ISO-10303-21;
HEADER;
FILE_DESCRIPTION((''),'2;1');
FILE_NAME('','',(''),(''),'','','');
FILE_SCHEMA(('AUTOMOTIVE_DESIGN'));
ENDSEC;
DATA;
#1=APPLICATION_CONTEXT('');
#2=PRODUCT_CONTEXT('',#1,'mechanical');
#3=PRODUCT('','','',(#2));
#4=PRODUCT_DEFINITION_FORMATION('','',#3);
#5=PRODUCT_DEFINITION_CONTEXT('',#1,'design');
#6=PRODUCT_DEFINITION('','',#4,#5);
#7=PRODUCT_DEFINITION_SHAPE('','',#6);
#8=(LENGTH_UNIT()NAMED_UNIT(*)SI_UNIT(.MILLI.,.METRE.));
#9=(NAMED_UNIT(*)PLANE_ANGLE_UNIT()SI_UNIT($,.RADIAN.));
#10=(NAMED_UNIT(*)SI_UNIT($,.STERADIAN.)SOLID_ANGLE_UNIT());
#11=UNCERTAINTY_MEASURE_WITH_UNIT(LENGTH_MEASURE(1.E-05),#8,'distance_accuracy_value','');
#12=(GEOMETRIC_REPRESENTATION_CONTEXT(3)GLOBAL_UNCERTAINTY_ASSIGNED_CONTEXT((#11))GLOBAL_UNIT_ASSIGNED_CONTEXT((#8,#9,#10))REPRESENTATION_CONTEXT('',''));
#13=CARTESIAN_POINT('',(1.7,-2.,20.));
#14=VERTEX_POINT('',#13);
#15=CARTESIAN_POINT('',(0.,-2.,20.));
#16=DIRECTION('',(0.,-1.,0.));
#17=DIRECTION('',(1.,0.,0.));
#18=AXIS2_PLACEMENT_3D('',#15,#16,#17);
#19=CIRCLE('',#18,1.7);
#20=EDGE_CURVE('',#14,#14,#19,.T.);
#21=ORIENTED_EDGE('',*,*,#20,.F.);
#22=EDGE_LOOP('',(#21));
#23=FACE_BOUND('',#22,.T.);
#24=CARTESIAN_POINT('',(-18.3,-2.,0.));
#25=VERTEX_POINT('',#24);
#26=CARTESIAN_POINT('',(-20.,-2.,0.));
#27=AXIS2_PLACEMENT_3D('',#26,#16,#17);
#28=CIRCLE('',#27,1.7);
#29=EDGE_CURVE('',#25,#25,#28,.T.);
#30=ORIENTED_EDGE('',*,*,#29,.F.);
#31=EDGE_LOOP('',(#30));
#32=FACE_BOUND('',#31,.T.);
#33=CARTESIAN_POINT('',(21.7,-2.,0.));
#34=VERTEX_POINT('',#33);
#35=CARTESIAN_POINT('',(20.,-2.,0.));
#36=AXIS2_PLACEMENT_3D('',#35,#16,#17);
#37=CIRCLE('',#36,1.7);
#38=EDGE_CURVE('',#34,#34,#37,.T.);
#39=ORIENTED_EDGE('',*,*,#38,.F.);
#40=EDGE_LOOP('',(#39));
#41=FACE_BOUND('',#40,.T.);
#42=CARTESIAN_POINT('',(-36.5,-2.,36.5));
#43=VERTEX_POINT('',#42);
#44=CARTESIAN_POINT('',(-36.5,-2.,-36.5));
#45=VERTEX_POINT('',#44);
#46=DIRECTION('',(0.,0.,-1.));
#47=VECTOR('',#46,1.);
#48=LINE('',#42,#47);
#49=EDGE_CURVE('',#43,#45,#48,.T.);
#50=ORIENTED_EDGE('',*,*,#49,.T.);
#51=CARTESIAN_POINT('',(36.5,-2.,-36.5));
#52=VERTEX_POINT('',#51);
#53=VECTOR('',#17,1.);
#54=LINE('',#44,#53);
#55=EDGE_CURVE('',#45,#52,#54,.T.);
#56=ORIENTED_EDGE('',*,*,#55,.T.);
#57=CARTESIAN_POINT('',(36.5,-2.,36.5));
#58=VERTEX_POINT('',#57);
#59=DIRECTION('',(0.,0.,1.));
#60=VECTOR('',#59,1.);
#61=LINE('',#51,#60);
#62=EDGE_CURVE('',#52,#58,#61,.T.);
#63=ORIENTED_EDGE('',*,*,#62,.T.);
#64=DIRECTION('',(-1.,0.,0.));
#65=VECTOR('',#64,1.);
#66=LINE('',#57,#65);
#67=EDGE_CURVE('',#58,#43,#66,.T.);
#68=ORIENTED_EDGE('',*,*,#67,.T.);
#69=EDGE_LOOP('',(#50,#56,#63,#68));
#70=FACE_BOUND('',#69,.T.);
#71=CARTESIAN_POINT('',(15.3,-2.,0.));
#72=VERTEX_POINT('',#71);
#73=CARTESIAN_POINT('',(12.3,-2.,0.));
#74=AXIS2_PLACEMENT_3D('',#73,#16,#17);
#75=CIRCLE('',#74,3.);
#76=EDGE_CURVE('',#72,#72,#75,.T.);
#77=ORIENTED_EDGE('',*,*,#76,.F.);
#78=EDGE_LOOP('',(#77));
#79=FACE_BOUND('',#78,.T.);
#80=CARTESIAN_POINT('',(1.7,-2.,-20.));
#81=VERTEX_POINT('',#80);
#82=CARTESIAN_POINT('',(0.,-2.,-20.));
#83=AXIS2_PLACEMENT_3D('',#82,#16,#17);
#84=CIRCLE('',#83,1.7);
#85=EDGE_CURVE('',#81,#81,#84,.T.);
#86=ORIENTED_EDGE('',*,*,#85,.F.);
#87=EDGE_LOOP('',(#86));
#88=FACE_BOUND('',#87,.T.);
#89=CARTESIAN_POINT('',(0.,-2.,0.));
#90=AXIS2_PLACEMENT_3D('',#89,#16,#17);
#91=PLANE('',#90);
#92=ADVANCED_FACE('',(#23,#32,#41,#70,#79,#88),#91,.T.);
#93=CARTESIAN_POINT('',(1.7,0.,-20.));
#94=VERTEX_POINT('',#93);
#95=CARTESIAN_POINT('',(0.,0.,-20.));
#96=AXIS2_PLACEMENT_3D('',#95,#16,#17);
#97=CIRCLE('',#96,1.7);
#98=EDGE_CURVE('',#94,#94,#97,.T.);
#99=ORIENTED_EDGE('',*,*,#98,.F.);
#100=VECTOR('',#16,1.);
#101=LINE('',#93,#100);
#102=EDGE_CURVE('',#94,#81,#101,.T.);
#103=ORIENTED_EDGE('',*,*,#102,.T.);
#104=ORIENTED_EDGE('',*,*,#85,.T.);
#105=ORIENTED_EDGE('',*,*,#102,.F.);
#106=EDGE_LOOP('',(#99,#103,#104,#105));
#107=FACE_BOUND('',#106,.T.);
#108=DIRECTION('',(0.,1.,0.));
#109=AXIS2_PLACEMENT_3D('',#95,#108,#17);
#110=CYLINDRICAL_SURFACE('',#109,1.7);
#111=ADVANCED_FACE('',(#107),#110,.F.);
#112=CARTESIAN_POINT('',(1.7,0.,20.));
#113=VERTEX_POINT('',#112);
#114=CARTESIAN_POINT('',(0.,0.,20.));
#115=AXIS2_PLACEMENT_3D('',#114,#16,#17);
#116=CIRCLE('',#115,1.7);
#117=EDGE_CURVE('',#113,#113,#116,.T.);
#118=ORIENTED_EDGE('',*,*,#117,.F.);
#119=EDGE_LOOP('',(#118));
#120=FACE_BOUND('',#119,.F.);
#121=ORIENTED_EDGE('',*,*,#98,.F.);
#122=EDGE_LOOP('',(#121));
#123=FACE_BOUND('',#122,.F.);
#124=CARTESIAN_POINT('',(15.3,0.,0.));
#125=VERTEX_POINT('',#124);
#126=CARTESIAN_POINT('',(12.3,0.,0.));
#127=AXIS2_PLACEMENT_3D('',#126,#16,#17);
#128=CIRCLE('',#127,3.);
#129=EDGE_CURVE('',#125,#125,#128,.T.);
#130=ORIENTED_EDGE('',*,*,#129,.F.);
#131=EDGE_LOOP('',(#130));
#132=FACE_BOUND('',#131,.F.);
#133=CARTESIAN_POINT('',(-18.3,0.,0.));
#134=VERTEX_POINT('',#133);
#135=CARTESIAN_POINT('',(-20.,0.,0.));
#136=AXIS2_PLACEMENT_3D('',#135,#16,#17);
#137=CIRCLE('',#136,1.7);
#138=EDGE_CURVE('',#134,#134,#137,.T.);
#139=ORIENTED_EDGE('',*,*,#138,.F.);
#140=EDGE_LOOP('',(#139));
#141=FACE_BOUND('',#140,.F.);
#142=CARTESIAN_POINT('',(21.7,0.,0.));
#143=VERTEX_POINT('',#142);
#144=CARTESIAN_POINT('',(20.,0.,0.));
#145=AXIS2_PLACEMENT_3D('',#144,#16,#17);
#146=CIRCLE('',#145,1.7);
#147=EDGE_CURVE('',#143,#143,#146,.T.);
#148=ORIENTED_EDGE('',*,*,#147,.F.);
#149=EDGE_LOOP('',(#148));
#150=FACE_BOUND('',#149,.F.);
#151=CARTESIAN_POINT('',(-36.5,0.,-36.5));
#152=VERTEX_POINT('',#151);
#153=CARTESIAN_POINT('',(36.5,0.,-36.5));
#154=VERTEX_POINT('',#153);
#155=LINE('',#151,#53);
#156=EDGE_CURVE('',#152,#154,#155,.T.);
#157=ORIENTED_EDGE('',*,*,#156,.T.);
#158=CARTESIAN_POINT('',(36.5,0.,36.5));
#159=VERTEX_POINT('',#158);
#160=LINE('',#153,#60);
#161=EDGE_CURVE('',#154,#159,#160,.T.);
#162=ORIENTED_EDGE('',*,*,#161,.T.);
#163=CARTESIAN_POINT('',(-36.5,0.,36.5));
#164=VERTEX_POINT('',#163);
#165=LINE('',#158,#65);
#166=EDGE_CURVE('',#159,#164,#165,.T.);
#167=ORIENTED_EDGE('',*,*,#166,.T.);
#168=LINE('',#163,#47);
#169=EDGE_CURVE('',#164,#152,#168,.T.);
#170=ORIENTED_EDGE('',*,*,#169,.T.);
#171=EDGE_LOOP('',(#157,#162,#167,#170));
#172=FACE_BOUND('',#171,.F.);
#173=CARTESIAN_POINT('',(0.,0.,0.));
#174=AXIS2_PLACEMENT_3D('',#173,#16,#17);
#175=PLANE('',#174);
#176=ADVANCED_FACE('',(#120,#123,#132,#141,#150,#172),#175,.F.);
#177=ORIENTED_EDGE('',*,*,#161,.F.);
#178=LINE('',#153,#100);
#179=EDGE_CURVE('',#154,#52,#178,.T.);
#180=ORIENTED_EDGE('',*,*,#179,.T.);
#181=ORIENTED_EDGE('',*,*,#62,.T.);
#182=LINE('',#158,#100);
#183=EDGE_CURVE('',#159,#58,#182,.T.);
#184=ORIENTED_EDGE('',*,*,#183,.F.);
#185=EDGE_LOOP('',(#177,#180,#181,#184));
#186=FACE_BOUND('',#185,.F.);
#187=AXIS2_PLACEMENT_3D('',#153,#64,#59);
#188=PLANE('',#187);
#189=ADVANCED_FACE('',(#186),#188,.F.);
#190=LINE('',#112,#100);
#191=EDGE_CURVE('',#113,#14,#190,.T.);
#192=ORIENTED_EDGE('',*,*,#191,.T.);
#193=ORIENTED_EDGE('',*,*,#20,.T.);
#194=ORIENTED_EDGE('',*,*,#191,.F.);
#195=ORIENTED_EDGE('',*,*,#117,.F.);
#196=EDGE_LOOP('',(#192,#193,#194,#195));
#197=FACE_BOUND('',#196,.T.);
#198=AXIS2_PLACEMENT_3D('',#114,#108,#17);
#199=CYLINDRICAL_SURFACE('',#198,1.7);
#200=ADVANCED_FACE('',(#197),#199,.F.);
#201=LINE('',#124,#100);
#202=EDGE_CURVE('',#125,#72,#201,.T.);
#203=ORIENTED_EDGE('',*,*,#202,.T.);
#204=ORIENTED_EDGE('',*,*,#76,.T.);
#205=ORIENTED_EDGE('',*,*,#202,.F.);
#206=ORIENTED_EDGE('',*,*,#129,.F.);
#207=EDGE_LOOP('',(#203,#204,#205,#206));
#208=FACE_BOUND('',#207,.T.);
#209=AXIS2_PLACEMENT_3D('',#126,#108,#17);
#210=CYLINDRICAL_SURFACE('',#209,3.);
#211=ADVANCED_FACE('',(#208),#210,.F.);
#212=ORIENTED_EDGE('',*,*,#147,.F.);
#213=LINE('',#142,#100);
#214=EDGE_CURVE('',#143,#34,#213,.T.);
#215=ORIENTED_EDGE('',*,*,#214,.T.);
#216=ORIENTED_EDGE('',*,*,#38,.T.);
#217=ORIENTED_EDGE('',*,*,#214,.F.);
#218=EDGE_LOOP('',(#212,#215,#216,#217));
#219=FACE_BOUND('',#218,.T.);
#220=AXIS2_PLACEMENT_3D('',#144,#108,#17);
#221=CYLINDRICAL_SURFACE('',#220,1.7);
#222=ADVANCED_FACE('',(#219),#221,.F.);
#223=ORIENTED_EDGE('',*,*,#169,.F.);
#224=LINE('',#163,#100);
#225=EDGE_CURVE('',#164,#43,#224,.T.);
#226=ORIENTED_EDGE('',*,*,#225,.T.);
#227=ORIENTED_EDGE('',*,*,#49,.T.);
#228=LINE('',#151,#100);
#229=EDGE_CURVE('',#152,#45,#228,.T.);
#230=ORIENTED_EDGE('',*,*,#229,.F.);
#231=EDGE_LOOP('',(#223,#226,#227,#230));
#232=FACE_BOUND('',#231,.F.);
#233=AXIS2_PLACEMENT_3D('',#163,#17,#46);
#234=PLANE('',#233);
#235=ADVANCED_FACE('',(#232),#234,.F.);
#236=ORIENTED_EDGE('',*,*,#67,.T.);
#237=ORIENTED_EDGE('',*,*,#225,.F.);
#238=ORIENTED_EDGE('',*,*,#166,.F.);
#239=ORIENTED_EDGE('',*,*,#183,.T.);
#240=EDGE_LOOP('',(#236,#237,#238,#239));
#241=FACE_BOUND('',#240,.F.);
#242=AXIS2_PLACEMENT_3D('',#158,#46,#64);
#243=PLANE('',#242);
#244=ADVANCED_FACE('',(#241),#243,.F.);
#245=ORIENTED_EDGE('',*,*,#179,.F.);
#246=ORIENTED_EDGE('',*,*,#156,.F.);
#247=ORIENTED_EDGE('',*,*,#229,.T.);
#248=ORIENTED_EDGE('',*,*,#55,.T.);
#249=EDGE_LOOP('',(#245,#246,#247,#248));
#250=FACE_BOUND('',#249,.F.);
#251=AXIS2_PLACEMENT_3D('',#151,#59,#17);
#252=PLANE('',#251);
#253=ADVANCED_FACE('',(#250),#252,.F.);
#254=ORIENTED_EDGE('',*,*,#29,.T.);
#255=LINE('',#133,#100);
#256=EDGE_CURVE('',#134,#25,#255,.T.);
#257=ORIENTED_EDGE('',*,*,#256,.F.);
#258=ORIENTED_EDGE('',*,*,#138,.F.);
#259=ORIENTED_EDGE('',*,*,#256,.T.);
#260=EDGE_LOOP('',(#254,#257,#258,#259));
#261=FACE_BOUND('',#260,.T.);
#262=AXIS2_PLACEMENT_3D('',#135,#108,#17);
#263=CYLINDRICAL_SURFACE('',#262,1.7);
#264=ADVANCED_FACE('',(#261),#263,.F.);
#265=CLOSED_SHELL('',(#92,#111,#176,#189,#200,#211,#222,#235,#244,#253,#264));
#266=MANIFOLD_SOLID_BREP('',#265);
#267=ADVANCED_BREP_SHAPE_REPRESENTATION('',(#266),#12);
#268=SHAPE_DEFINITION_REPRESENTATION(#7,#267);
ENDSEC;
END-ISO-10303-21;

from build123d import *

# Parameters (mm, degrees)
F0_R     = 1.7
F0_R_2   = 3
F1_DEPTH = 2


with BuildPart() as f1:
    # F0 (on Front) → F1 (new body)
    with BuildSketch(Plane.XZ):
        Polygon((36.5, -36.5), (36.5, 0), (36.5, 36.5), (0, 36.5), (-36.5, 36.5), (-36.5, 0), (-36.5, -36.5), (0, -36.5), align=None)
        with Locations((0, -20)):
            Circle(F0_R, mode=Mode.SUBTRACT)
        with Locations((-20, 0)):
            Circle(F0_R, mode=Mode.SUBTRACT)
        with Locations((12.3, 0)):
            Circle(F0_R_2, mode=Mode.SUBTRACT)
        with Locations((20, 0)):
            Circle(F0_R, mode=Mode.SUBTRACT)
        with Locations((0, 20)):
            Circle(F0_R, mode=Mode.SUBTRACT)
    extrude(amount=F1_DEPTH)


solid = f1.part
